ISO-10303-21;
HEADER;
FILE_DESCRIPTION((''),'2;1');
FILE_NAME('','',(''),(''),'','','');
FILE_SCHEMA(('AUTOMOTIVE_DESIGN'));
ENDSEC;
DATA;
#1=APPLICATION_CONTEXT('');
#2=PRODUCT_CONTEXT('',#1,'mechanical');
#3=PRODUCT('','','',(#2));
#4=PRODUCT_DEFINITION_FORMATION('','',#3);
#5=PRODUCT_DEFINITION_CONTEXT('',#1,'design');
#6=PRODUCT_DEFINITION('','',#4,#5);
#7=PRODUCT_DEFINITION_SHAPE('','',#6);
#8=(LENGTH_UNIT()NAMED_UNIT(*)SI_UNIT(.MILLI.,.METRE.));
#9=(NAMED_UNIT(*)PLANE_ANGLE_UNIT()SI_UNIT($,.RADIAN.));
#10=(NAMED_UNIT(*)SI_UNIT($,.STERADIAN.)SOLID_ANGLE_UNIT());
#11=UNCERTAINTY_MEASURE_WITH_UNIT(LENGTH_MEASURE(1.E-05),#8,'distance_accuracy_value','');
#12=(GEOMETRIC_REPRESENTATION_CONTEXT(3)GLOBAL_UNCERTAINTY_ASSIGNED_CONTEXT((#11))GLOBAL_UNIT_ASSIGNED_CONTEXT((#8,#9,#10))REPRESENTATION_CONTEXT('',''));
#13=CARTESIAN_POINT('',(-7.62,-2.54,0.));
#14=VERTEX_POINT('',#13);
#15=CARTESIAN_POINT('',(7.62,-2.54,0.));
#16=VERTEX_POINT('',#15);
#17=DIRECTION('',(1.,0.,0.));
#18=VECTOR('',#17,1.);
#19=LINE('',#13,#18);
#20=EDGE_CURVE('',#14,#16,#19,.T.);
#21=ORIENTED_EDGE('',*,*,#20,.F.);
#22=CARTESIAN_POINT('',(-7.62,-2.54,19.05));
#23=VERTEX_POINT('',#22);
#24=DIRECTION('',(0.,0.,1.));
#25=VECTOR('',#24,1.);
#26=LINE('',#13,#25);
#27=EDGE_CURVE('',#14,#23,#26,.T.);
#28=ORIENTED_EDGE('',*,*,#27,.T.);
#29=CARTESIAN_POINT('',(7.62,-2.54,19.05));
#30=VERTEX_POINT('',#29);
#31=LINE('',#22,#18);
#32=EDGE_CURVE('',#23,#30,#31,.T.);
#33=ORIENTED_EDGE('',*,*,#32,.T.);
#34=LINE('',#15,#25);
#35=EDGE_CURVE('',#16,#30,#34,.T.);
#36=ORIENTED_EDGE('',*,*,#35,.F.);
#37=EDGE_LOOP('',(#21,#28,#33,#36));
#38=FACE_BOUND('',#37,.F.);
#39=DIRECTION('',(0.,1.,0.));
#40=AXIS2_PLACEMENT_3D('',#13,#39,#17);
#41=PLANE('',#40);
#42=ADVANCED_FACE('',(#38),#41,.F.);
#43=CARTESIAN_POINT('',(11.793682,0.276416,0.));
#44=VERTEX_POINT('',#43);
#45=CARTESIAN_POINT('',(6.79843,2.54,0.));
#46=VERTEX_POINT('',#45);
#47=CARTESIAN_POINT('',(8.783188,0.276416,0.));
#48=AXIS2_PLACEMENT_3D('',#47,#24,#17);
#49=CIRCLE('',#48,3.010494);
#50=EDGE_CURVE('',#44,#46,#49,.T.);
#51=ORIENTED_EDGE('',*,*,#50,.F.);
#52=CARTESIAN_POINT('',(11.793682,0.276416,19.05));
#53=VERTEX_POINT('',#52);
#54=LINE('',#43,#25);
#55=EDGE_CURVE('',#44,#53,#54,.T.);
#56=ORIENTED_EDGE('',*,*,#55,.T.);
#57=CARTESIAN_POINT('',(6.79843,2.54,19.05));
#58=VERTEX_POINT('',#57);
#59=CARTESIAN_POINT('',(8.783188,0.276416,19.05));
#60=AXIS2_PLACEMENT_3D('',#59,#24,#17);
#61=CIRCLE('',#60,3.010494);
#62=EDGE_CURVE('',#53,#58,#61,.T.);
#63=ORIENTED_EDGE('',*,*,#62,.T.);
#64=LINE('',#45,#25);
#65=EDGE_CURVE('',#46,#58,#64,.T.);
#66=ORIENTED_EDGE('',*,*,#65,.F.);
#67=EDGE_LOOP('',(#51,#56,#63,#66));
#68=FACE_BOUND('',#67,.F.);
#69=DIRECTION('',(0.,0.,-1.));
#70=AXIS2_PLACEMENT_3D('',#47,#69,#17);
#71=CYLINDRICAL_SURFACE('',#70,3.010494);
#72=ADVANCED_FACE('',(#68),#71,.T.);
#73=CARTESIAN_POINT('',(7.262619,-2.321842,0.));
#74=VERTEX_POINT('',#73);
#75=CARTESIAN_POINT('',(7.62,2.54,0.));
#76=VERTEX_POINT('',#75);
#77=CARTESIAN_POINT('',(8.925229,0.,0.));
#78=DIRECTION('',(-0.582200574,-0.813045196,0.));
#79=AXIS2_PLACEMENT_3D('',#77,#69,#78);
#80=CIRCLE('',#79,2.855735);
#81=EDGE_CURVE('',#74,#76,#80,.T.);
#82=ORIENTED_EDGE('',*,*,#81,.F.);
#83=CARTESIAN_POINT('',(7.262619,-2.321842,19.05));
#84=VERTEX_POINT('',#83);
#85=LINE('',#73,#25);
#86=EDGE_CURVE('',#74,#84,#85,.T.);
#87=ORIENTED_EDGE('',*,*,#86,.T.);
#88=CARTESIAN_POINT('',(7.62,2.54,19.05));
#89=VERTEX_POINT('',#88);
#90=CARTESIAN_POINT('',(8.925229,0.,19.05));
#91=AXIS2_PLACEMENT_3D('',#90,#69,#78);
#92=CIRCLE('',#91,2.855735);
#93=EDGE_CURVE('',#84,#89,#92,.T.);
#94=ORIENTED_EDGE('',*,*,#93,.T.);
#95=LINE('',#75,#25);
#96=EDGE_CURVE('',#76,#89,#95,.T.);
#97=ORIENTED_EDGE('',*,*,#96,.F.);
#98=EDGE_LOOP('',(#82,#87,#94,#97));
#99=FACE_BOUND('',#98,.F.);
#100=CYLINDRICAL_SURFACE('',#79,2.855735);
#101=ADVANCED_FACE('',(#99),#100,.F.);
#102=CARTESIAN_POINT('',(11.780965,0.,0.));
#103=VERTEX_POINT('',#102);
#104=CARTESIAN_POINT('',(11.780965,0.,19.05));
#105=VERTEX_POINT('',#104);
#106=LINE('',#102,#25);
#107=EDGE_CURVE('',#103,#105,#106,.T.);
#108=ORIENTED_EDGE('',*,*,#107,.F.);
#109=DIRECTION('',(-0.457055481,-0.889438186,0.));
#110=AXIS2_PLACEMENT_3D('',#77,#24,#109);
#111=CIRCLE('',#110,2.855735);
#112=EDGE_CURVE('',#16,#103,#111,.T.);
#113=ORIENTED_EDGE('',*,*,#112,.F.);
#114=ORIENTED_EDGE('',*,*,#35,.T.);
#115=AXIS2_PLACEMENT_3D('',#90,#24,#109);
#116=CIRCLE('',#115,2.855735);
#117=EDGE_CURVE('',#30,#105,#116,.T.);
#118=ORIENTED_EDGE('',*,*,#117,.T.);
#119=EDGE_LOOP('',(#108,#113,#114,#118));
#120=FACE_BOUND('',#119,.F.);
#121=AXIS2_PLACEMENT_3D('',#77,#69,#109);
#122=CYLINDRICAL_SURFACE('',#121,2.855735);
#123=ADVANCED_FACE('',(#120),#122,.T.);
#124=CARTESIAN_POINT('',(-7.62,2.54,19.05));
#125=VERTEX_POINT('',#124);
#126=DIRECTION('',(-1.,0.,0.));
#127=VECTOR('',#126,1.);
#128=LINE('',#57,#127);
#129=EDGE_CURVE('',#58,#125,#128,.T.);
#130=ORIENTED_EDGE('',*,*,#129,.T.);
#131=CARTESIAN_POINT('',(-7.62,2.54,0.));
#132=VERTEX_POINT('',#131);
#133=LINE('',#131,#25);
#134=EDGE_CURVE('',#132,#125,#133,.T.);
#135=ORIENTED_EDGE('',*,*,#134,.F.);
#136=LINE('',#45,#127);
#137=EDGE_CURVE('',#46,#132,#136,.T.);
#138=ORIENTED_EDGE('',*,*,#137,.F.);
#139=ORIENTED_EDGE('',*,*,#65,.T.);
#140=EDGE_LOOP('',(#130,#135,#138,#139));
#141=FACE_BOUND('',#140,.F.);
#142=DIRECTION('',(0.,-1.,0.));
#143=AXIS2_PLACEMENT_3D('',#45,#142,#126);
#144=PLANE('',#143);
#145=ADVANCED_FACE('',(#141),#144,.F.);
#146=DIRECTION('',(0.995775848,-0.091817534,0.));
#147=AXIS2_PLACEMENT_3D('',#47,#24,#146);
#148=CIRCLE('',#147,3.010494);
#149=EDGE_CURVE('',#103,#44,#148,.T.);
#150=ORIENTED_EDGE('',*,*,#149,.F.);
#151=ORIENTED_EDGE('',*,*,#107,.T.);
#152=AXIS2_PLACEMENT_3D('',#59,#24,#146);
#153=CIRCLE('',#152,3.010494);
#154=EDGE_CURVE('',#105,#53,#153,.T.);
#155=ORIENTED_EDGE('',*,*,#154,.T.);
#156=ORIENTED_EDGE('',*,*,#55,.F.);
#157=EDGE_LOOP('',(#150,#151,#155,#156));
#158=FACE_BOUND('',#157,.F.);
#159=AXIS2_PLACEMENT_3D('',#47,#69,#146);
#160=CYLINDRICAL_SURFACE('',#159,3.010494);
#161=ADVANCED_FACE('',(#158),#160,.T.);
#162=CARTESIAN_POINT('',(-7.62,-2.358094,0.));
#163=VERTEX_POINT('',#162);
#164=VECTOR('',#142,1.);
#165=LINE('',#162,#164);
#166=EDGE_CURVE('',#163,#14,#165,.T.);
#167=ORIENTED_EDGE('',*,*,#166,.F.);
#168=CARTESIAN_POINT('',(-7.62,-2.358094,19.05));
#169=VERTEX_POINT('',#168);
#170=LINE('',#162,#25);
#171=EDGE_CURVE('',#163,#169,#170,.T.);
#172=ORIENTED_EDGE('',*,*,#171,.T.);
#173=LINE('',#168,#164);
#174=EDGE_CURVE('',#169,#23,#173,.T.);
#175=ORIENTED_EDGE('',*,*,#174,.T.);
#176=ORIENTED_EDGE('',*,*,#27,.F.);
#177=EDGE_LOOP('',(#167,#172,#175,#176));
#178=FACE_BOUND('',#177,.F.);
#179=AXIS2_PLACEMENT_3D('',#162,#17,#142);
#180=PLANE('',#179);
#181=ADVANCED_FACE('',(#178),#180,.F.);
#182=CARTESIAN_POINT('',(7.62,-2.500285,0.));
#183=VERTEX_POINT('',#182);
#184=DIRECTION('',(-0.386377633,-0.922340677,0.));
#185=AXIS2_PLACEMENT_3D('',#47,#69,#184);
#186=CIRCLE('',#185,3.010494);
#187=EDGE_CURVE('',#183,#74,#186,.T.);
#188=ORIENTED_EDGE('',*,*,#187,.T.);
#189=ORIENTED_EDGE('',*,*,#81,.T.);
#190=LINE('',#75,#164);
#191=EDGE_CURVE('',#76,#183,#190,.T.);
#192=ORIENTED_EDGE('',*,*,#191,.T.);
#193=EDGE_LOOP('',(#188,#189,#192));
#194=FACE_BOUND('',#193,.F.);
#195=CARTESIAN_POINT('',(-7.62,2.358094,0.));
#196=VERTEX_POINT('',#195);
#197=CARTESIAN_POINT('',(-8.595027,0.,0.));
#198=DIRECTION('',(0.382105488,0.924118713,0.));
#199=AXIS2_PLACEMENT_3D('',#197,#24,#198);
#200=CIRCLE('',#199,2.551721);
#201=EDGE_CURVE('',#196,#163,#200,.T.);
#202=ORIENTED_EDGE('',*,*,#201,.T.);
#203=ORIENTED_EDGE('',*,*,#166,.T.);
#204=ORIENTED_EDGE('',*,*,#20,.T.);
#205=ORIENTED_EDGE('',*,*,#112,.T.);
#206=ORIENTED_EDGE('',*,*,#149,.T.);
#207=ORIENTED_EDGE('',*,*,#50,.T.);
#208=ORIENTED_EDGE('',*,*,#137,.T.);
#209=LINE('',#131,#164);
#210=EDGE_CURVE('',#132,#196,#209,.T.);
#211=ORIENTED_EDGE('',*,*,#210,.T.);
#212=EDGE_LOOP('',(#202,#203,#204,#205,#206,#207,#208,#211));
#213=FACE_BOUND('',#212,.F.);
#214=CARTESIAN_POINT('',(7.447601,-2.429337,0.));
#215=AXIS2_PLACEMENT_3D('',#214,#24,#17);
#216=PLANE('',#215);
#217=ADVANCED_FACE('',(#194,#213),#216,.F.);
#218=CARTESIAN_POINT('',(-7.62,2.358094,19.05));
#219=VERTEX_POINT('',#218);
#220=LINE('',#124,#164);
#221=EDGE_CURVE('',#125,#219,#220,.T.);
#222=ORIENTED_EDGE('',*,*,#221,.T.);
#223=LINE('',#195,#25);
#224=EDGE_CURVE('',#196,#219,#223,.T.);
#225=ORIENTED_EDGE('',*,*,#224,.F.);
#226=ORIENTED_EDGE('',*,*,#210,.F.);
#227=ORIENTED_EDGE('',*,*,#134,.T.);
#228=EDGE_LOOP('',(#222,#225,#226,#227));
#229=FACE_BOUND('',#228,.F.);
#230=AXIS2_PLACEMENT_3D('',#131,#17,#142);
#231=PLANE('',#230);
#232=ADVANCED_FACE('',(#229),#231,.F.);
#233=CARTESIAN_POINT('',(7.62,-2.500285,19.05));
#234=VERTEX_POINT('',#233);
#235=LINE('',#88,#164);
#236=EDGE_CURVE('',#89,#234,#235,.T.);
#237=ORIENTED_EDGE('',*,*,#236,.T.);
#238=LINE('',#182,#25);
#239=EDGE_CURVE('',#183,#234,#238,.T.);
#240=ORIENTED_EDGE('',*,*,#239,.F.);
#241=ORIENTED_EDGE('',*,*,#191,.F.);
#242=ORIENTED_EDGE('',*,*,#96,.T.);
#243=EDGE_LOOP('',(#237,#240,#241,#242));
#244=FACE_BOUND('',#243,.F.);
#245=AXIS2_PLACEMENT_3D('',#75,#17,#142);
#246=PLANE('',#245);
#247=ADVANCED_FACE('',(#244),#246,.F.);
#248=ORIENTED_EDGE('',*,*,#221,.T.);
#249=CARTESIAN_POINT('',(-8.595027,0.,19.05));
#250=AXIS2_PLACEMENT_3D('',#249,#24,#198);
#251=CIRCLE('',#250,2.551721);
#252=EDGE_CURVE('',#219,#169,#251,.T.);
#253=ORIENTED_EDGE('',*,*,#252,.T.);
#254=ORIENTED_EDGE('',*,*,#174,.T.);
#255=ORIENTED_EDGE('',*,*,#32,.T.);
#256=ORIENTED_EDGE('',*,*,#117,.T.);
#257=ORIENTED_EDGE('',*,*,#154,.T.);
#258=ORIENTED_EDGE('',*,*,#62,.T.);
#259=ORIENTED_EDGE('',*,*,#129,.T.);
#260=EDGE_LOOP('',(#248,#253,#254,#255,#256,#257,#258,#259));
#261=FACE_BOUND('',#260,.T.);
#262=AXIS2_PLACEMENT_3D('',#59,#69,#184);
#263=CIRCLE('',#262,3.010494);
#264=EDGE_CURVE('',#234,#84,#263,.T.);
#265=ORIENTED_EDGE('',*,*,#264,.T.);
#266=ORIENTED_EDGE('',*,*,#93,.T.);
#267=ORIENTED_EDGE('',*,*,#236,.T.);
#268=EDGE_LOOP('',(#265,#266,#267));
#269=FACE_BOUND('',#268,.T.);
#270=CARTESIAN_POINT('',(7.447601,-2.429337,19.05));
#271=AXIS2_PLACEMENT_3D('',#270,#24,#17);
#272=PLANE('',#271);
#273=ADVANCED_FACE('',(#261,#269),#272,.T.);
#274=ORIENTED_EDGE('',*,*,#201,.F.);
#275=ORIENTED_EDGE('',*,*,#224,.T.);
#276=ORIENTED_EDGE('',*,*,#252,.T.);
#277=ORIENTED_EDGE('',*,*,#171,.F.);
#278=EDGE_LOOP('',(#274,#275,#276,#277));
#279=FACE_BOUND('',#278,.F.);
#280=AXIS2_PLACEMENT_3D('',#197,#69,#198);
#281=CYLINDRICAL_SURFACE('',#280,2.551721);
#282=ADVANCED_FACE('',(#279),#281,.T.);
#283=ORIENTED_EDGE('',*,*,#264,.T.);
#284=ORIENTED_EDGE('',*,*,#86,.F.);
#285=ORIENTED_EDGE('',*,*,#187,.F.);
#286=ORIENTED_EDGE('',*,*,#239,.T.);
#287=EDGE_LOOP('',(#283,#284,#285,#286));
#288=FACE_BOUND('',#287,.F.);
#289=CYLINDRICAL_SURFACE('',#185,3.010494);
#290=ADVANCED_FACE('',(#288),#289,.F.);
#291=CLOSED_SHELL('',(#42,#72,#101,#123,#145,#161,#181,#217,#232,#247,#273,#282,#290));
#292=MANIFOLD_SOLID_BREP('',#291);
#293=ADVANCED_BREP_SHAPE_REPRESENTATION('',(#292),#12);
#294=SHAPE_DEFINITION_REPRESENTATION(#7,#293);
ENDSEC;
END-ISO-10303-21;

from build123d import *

# Parameters (mm, degrees)
F1_DEPTH = 19.05


with BuildPart() as f1:
    # F0 (on Top) → F1 (new body)
    with BuildSketch(Plane.XY):
        with BuildLine():
            ThreePointArc((7.2626187445, -2.3218418449), (7.4373057147, -2.4374796146), (7.62, -2.54))
            Line((7.62, -2.54), (7.62, -2.5002849179))
            ThreePointArc((7.62, -2.5002849179), (7.4383464715, -2.4169974039), (7.2626187445, -2.3218418449))
        make_face()
        with BuildLine():
            Line((7.62, -2.5002849179), (7.62, -2.54))
            ThreePointArc((7.62, -2.54), (10.4131532031, -2.4374796146), (11.7809647303, 0))
            ThreePointArc((11.7809647303, 0), (10.3337635492, -2.304046617), (7.62, -2.5002849179))
        make_face()
        with BuildLine():
            Line((-7.62, -2.54), (7.62, -2.54))
            ThreePointArc((7.62, -2.54), (7.4373057147, -2.4374796146), (7.2626187445, -2.3218418449))
            ThreePointArc((7.2626187445, -2.3218418449), (5.7863217553, -0.0097122698), (6.7984301061, 2.54))
            Line((6.7984301061, 2.54), (-7.62, 2.54))
            ThreePointArc((-7.62, 2.54), (-5.8743141512, 0), (-7.62, -2.54))
        make_face()
        with BuildLine():
            Line((-7.62, -2.3580935732), (-7.62, -2.54))
            ThreePointArc((-7.62, -2.54), (-5.8743141512, 0), (-7.62, 2.54))
            Line((-7.62, 2.54), (-7.62, 2.3580935732))
            ThreePointArc((-7.62, 2.3580935732), (-6.4737913748, 1.4183239648), (-6.0433053003, 0))
            ThreePointArc((-6.0433053003, 0), (-6.4737913748, -1.4183239648), (-7.62, -2.3580935732))
        make_face()
        with BuildLine():
            Line((7.62, 2.54), (7.62, -2.5002849179))
            ThreePointArc((7.62, -2.5002849179), (10.3337635492, -2.304046617), (11.7809647303, 0))
            ThreePointArc((11.7809647303, 0), (11.7905006369, 0.1380618825), (11.7936815131, 0.276416134))
            ThreePointArc((11.7936815131, 0.276416134), (10.0257602089, 3.0185115252), (6.7984301061, 2.54))
            Line((6.7984301061, 2.54), (7.62, 2.54))
        make_face()
        with BuildLine():
            ThreePointArc((6.7984301061, 2.54), (5.7863217553, -0.0097122698), (7.2626187445, -2.3218418449))
            ThreePointArc((7.2626187445, -2.3218418449), (6.0771783086, 0.2093527779), (7.62, 2.54))
            Line((7.62, 2.54), (6.7984301061, 2.54))
        make_face()
        with BuildLine():
            ThreePointArc((-7.62, 2.3580935732), (-11.1467482672, 0), (-7.62, -2.3580935732))
            Line((-7.62, -2.3580935732), (-7.62, 2.3580935732))
        make_face()
        with BuildLine():
            Line((-7.62, 2.3580935732), (-7.62, -2.3580935732))
            ThreePointArc((-7.62, -2.3580935732), (-6.4737913748, -1.4183239648), (-6.0433053003, 0))
            ThreePointArc((-6.0433053003, 0), (-6.4737913748, 1.4183239648), (-7.62, 2.3580935732))
        make_face()
    extrude(amount=F1_DEPTH)


solid = f1.part
